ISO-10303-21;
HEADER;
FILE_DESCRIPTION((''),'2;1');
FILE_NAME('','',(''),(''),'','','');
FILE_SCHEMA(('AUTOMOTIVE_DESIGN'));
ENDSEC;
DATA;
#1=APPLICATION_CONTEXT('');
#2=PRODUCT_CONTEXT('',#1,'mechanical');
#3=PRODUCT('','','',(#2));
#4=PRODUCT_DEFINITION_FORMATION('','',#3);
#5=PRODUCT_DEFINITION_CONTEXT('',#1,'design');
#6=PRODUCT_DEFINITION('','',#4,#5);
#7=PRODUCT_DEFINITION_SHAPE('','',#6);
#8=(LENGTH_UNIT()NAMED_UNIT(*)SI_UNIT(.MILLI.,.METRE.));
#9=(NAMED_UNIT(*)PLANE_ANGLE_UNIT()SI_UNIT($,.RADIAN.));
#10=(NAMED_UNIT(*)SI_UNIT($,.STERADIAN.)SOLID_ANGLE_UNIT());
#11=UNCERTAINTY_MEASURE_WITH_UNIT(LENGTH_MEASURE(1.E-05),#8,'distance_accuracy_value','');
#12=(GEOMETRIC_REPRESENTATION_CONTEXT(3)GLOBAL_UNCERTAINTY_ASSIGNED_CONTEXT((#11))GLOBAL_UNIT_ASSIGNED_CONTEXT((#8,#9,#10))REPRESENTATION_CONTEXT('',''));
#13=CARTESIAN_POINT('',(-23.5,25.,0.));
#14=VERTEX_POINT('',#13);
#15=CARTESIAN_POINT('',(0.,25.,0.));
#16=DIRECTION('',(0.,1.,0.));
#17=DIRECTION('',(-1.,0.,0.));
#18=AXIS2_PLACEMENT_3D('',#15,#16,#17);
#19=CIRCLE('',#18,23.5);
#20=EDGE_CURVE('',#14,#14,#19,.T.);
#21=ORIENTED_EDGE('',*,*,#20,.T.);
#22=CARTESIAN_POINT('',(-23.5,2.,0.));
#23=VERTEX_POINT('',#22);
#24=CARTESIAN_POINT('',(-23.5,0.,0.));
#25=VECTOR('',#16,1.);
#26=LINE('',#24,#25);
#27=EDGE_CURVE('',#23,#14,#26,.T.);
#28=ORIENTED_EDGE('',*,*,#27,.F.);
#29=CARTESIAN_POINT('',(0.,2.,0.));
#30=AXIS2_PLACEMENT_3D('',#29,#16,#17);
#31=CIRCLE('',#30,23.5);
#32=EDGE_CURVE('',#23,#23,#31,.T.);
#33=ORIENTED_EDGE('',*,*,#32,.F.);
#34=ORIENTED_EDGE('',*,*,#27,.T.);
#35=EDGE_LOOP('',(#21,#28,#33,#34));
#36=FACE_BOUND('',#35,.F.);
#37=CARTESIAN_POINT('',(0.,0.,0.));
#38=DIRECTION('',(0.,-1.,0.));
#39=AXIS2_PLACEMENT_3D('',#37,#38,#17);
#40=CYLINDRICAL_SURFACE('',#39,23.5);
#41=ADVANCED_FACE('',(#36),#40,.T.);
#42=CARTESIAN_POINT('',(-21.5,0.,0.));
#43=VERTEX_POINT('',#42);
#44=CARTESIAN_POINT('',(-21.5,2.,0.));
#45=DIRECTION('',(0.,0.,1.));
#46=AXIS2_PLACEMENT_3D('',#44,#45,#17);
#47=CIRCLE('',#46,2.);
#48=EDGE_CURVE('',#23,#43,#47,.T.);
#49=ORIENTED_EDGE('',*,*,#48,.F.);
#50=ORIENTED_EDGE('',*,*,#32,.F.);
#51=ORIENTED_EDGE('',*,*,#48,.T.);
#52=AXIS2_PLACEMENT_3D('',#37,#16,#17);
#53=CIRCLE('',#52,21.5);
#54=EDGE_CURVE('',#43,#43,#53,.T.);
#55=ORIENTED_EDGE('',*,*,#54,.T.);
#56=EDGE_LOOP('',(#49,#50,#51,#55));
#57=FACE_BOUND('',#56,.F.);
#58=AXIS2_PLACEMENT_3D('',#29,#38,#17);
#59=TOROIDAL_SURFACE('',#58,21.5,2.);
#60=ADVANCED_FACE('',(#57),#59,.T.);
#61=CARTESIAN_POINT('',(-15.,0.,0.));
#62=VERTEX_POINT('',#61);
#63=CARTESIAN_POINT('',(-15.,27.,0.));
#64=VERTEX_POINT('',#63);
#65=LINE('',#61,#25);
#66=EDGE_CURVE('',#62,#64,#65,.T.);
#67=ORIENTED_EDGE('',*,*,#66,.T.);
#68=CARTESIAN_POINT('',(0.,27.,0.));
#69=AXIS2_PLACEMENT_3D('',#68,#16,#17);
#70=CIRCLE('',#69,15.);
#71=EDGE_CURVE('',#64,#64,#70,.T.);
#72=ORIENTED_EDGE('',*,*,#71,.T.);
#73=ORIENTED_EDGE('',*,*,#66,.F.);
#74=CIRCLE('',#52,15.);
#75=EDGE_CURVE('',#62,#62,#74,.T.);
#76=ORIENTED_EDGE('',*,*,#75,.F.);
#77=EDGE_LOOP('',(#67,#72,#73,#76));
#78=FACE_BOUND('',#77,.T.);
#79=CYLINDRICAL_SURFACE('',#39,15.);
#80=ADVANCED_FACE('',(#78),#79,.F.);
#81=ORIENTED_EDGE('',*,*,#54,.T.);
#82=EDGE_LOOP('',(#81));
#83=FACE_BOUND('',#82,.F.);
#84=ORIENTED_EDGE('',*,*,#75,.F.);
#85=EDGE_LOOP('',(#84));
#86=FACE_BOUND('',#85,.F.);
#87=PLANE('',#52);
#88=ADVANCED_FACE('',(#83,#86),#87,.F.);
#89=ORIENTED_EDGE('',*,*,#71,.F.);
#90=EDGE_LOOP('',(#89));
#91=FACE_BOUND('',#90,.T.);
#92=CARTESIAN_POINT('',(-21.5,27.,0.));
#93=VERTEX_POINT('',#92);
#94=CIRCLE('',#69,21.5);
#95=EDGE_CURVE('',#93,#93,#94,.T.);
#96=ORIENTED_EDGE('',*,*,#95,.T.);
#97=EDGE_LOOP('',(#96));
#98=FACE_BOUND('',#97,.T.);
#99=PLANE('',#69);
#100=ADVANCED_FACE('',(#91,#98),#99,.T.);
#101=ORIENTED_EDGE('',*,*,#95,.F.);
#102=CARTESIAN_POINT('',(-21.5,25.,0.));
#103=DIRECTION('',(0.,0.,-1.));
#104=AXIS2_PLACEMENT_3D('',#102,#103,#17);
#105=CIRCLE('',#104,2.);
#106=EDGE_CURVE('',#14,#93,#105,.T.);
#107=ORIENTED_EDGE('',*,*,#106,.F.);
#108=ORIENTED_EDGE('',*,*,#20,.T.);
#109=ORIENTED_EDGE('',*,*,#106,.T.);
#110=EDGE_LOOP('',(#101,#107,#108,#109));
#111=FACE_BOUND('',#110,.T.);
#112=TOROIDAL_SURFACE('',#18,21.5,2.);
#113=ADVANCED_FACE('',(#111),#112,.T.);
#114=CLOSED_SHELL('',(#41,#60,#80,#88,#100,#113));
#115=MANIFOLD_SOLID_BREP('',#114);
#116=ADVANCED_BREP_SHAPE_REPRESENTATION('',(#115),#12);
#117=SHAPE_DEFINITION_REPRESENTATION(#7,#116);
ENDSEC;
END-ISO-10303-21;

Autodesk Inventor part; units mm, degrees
ref_plane "YZ Plane" through (0, 0, 0) normal (1, 0, 0) x (0, 1, 0)
ref_plane "XZ Plane" through (0, 0, 0) normal (0, 1, 0) x (-1, 0, 0)
ref_plane "XY Plane" through (0, 0, 0) normal (0, 0, 1) x (1, 0, 0)
sketch "Sketch1" plane through (0, 0, 0) normal (0, 1, 0) x (-1, 0, 0)
  circle A0 centre (0, 0) radius 15
  circle A1 centre (0, 0) radius 23.5
  dimension "d0" = 30
  dimension "d1" = 47
extrude "Extrusion1" add sketch "Sketch1" along normal blind 27
fillet "Fillet1" radius 2 2 edges at (23.5, 27, 0) (23.5, 0, 0)
equation "\"d0\" = Motor_WheelInterface_Diameter"
equation "\"d1\" = MotorWheel_Diameter"
equation "\"d2\" = MotorWheel_Width"
equation "\"MotorWheel_Diameter\" = 47"
equation "\"MotorWheel_Width\" = Motor_WheelInterface_Length"
equation "\"Motor_WheelInterface_Diameter\" = 30"
equation "\"Motor_WheelInterface_Length\" = 27"
properties part number "MotorWheel" material "Wood (Oak)"
